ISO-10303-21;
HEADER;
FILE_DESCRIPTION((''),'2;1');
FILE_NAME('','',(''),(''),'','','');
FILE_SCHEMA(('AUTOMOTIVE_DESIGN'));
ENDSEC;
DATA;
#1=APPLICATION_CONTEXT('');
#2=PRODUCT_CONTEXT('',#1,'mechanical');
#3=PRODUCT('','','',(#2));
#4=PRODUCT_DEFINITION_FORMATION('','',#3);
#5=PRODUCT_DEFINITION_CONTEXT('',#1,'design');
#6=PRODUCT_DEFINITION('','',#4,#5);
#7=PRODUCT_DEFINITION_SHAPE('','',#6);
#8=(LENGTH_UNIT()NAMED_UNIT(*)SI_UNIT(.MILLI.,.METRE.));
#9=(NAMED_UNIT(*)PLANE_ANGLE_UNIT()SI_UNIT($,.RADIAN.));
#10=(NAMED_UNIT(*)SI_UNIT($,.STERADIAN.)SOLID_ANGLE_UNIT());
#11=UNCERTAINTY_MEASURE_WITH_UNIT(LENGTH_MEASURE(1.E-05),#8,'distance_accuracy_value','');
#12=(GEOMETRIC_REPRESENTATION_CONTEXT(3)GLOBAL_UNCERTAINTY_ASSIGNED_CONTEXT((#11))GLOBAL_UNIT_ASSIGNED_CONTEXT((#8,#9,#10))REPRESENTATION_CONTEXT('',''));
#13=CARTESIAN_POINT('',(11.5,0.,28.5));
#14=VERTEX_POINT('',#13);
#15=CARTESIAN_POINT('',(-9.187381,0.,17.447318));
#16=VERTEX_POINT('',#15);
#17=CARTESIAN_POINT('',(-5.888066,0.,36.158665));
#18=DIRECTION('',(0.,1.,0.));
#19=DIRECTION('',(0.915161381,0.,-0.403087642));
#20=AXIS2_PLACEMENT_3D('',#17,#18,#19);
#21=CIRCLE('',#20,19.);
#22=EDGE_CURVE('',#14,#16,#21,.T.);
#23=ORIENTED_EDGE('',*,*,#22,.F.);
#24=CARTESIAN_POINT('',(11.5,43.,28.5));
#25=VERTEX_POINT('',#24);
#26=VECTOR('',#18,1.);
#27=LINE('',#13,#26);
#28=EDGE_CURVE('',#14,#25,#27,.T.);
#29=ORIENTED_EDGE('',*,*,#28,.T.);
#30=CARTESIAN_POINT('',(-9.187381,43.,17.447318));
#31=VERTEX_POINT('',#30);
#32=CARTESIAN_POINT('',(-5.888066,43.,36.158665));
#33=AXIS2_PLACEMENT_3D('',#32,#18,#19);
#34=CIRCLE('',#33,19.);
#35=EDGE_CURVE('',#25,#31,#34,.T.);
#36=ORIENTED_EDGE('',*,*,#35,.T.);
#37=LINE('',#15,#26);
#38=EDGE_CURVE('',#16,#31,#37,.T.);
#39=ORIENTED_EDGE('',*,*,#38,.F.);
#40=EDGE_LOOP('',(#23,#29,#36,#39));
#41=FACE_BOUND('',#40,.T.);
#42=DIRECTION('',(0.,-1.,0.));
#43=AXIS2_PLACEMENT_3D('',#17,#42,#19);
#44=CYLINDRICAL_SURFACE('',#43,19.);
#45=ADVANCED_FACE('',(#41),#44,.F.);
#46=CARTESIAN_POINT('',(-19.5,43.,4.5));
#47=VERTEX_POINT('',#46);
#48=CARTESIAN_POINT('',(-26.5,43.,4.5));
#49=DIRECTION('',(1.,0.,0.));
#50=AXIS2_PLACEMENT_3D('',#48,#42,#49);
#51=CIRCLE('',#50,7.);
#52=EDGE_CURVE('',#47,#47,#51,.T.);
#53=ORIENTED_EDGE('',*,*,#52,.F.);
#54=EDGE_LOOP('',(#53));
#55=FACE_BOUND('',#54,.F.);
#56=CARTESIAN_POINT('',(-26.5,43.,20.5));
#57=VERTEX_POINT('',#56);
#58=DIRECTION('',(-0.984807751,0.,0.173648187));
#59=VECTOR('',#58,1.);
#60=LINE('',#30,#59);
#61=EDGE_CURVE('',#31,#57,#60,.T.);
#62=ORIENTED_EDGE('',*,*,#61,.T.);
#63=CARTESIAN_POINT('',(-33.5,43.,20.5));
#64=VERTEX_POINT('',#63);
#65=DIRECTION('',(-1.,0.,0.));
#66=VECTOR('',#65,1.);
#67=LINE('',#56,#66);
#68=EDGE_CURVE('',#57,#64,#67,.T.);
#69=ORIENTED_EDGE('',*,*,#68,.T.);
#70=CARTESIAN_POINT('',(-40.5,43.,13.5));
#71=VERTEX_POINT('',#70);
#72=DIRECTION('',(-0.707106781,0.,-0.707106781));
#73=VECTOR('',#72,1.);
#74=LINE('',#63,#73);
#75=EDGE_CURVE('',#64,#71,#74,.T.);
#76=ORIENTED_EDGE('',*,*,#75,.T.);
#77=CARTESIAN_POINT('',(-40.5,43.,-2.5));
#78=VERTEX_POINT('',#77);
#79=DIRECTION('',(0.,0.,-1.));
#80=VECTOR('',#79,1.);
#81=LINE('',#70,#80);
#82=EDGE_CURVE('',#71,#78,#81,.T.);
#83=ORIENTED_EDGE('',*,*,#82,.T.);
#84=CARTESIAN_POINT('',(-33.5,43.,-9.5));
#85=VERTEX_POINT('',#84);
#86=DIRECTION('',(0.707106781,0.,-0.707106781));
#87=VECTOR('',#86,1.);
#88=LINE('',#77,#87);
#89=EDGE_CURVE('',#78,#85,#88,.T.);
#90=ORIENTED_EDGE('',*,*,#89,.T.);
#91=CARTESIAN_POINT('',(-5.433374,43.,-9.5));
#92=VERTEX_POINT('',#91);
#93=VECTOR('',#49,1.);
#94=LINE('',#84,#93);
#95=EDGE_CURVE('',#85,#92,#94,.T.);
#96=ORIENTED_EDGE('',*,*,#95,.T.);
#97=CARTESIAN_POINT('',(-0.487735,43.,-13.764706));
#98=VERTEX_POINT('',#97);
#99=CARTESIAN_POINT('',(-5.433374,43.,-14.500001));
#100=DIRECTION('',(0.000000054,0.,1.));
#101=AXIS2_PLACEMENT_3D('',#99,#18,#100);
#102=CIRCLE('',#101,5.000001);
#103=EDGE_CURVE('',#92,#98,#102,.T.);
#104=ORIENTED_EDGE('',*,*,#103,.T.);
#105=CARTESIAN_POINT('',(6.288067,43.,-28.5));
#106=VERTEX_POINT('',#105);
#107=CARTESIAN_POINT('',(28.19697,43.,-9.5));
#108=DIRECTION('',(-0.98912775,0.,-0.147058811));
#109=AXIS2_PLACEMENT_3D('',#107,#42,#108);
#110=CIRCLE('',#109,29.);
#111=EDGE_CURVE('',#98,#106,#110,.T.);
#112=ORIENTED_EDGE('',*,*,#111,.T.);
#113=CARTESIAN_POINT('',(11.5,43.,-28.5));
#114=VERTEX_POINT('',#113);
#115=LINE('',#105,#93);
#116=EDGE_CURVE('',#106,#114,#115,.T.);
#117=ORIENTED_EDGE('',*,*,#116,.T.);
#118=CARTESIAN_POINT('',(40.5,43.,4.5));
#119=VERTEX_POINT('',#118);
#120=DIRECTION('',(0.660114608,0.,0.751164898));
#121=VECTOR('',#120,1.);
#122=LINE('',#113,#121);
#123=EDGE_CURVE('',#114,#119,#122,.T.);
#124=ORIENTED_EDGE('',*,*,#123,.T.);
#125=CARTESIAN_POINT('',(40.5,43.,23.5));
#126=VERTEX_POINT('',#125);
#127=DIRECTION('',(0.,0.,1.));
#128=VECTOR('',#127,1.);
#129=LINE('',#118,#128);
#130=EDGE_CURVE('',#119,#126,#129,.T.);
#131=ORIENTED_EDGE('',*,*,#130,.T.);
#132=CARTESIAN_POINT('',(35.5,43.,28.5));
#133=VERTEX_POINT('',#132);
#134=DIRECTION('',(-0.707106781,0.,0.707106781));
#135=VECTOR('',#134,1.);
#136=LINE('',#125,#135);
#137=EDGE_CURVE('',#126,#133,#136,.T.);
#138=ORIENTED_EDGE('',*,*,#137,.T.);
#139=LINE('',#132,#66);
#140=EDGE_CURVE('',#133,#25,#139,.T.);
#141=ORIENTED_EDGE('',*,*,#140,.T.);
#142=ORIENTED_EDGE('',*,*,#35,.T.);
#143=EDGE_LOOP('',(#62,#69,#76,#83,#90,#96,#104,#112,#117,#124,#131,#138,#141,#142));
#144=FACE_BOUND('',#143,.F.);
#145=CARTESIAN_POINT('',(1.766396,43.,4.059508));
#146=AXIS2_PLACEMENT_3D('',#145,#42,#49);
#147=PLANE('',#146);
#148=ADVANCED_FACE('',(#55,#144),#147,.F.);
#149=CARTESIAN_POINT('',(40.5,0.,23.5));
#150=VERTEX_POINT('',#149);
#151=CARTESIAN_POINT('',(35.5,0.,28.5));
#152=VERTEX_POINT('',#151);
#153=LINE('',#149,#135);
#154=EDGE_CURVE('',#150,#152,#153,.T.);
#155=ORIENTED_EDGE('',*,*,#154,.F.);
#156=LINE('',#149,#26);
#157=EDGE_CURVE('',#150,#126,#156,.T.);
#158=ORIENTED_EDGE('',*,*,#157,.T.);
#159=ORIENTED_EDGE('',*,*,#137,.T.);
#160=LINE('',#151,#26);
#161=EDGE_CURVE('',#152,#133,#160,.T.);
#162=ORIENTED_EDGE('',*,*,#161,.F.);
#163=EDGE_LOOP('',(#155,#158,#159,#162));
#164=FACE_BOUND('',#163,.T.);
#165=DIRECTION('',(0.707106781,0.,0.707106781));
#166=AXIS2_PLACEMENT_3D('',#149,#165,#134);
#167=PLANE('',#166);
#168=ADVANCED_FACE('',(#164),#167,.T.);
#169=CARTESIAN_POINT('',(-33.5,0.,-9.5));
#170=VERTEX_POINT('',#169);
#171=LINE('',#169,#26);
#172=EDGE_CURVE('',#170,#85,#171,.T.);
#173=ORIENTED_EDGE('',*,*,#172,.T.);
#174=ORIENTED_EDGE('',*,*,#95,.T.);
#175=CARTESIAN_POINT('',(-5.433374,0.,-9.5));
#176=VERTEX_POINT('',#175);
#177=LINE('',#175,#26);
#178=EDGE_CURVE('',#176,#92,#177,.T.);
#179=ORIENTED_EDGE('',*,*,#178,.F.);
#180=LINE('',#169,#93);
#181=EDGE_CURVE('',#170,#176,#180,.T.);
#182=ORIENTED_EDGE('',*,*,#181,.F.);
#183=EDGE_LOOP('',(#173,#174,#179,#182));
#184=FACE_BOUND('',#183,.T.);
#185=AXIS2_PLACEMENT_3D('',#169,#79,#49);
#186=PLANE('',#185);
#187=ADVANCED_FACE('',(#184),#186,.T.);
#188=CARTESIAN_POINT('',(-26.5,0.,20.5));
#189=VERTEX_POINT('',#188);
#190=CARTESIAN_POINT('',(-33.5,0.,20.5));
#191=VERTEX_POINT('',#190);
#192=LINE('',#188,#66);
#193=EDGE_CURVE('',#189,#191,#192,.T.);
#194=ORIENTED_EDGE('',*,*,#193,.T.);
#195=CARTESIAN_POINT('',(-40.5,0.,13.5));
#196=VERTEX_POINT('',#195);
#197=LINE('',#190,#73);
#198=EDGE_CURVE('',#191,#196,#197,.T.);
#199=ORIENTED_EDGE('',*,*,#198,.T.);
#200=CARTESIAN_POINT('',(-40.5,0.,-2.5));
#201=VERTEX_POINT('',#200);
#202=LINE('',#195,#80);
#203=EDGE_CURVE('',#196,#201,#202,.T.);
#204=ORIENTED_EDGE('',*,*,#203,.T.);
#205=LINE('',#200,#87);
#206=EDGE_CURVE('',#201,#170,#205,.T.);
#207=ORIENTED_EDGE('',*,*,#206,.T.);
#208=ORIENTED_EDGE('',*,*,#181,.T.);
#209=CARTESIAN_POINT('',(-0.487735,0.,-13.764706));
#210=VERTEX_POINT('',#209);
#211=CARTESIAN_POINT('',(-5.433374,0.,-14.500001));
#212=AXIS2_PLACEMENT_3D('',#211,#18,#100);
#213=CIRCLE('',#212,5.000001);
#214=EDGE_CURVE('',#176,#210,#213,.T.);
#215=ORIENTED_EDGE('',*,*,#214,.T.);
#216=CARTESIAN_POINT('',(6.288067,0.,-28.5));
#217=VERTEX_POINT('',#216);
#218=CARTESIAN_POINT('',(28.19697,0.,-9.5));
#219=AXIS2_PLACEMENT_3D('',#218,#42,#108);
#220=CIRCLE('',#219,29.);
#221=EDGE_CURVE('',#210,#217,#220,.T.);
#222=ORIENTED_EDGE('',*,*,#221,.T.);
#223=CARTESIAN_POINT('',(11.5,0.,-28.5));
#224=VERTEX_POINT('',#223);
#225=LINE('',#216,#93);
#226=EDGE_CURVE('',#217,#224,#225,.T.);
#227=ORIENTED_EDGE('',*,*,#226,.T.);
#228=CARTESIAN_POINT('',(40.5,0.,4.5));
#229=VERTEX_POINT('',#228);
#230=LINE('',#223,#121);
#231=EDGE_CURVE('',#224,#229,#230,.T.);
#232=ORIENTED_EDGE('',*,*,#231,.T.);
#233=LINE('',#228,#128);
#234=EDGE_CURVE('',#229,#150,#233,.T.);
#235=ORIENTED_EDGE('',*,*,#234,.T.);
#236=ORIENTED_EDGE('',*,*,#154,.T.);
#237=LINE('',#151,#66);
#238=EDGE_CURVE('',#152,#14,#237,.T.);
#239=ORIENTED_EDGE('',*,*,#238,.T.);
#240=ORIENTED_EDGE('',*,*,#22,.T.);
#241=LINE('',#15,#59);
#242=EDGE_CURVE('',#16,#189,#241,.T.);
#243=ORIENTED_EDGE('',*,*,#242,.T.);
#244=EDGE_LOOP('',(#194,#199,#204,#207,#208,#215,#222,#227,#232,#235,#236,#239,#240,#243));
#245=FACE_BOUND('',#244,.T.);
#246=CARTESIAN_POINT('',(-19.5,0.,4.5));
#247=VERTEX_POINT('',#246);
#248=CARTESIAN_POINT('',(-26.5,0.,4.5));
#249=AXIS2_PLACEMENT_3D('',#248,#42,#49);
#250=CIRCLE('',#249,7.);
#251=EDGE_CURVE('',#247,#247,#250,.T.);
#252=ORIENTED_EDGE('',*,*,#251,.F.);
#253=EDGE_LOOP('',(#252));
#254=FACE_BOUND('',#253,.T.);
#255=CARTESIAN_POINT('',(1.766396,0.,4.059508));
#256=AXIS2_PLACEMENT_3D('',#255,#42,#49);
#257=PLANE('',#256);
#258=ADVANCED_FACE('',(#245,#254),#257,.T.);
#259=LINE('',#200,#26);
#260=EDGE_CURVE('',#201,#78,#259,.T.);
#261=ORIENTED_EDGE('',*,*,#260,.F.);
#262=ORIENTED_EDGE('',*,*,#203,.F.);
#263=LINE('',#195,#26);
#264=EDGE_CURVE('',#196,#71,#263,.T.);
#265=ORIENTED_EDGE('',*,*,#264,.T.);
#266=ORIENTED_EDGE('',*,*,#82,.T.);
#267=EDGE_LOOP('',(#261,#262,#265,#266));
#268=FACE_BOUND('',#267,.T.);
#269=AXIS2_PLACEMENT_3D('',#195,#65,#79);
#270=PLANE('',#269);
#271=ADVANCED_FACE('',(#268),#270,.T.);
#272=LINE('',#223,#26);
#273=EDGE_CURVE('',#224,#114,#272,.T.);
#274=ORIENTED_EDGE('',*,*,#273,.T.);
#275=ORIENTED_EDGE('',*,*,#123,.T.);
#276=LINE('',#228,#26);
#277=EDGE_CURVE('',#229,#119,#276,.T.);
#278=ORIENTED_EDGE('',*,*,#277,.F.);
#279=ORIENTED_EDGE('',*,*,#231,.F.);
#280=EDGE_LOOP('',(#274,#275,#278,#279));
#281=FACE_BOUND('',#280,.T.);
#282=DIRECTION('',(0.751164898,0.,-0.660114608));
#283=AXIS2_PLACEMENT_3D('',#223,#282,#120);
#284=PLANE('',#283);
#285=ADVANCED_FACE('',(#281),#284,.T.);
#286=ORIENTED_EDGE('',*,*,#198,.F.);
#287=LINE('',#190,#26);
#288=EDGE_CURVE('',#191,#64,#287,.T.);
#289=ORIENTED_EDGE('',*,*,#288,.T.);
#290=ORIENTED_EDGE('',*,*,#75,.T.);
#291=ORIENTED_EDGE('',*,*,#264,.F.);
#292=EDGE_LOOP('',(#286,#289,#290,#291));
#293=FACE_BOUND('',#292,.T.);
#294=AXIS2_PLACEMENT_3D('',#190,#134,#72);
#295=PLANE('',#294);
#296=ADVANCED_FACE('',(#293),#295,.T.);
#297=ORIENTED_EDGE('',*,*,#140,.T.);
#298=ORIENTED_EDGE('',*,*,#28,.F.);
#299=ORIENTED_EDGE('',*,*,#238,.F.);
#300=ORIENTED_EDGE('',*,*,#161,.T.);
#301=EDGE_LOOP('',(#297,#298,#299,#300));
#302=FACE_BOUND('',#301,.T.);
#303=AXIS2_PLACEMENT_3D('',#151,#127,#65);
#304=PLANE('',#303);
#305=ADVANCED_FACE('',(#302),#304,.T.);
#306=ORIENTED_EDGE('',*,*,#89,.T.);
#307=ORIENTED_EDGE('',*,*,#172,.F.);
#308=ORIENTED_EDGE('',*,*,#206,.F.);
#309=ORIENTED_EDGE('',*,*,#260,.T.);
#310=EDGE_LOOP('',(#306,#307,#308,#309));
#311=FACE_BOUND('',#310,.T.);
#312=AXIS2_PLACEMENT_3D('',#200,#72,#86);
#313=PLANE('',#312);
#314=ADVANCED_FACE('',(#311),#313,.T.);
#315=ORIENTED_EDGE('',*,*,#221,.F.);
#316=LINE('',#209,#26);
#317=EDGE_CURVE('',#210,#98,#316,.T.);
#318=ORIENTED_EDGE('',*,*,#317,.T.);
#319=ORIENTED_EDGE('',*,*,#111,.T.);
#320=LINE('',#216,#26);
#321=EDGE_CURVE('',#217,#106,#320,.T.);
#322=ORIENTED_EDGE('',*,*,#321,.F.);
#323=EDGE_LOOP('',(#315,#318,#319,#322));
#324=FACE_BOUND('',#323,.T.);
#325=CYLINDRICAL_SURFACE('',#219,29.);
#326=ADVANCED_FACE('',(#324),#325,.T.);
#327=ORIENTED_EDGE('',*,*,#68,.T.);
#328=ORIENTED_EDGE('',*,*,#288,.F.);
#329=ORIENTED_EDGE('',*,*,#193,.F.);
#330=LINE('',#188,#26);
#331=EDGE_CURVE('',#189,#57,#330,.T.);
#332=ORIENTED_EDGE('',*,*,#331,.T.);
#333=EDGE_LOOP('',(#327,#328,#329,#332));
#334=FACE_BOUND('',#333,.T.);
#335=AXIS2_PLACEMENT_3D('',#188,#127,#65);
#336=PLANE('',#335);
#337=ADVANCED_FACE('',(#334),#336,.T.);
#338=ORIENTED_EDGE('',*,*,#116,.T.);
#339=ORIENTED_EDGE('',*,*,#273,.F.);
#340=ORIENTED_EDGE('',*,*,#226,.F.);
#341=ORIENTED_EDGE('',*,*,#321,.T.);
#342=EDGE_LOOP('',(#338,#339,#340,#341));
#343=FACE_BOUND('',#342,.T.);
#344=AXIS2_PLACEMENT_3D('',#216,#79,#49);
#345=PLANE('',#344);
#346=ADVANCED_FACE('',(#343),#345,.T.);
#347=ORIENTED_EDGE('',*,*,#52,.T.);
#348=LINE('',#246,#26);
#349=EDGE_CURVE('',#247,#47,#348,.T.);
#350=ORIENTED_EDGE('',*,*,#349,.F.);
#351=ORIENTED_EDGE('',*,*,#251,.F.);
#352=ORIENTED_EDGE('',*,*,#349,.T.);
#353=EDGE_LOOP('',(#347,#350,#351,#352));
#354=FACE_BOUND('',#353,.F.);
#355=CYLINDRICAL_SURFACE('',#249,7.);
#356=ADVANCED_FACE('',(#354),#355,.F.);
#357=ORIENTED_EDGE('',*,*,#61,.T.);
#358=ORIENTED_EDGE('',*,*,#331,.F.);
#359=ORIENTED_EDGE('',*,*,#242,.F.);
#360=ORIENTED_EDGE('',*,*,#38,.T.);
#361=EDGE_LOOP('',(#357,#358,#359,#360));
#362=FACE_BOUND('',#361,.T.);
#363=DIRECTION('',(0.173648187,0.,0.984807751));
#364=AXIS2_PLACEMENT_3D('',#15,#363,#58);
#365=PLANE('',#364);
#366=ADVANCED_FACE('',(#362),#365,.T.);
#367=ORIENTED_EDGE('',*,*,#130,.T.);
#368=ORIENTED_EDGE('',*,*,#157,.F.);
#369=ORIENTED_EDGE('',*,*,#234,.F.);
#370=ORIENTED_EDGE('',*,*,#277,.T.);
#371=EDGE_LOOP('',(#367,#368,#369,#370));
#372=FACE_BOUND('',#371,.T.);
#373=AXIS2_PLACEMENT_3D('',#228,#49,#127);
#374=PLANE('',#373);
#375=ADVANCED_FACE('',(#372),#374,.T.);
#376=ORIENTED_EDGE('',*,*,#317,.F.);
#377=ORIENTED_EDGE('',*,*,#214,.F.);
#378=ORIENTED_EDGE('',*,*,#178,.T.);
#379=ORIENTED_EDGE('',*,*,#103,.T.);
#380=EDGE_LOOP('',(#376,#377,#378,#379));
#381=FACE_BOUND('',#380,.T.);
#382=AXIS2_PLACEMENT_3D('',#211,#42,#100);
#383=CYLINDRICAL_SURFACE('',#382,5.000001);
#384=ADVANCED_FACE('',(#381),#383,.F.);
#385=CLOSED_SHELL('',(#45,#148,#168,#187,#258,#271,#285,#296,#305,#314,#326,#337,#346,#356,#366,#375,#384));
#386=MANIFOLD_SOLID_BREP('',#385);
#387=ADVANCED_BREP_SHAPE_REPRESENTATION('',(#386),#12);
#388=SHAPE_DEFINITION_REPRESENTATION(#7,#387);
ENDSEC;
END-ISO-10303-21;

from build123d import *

# Parameters (mm, degrees)
F0_R     = 7
F1_DEPTH = 43


with BuildPart() as f1:
    # F0 (on Front) → F1 (new body)
    with BuildSketch(Plane.XZ):
        with BuildLine():
            Line((40.5, 23.5), (35.5, 28.5))
            Line((35.5, 28.5), (11.5, 28.5))
            ThreePointArc((11.5, 28.5), (3.06535, 19.400493), (-9.187381, 17.447318))
            Line((-9.187381, 17.447318), (-26.5, 20.5))
            Line((-26.5, 20.5), (-33.5, 20.5))
            Line((-33.5, 20.5), (-40.5, 13.5))
            Line((-40.5, 13.5), (-40.5, -2.5))
            Line((-40.5, -2.5), (-33.5, -9.5))
            Line((-33.5, -9.5), (-5.433374, -9.5))
            ThreePointArc((-5.433374, -9.5), (-2.168138, -10.713414), (-0.487735, -13.764706))
            ThreePointArc((-0.487735, -13.764706), (1.849095, -21.615672), (6.288067, -28.5))
            Line((6.288067, -28.5), (11.5, -28.5))
            Line((11.5, -28.5), (40.5, 4.5))
            Line((40.5, 4.5), (40.5, 23.5))
        make_face()
        with Locations((-26.5, 4.5)):
            Circle(F0_R, mode=Mode.SUBTRACT)
    extrude(amount=-F1_DEPTH)


solid = f1.part
